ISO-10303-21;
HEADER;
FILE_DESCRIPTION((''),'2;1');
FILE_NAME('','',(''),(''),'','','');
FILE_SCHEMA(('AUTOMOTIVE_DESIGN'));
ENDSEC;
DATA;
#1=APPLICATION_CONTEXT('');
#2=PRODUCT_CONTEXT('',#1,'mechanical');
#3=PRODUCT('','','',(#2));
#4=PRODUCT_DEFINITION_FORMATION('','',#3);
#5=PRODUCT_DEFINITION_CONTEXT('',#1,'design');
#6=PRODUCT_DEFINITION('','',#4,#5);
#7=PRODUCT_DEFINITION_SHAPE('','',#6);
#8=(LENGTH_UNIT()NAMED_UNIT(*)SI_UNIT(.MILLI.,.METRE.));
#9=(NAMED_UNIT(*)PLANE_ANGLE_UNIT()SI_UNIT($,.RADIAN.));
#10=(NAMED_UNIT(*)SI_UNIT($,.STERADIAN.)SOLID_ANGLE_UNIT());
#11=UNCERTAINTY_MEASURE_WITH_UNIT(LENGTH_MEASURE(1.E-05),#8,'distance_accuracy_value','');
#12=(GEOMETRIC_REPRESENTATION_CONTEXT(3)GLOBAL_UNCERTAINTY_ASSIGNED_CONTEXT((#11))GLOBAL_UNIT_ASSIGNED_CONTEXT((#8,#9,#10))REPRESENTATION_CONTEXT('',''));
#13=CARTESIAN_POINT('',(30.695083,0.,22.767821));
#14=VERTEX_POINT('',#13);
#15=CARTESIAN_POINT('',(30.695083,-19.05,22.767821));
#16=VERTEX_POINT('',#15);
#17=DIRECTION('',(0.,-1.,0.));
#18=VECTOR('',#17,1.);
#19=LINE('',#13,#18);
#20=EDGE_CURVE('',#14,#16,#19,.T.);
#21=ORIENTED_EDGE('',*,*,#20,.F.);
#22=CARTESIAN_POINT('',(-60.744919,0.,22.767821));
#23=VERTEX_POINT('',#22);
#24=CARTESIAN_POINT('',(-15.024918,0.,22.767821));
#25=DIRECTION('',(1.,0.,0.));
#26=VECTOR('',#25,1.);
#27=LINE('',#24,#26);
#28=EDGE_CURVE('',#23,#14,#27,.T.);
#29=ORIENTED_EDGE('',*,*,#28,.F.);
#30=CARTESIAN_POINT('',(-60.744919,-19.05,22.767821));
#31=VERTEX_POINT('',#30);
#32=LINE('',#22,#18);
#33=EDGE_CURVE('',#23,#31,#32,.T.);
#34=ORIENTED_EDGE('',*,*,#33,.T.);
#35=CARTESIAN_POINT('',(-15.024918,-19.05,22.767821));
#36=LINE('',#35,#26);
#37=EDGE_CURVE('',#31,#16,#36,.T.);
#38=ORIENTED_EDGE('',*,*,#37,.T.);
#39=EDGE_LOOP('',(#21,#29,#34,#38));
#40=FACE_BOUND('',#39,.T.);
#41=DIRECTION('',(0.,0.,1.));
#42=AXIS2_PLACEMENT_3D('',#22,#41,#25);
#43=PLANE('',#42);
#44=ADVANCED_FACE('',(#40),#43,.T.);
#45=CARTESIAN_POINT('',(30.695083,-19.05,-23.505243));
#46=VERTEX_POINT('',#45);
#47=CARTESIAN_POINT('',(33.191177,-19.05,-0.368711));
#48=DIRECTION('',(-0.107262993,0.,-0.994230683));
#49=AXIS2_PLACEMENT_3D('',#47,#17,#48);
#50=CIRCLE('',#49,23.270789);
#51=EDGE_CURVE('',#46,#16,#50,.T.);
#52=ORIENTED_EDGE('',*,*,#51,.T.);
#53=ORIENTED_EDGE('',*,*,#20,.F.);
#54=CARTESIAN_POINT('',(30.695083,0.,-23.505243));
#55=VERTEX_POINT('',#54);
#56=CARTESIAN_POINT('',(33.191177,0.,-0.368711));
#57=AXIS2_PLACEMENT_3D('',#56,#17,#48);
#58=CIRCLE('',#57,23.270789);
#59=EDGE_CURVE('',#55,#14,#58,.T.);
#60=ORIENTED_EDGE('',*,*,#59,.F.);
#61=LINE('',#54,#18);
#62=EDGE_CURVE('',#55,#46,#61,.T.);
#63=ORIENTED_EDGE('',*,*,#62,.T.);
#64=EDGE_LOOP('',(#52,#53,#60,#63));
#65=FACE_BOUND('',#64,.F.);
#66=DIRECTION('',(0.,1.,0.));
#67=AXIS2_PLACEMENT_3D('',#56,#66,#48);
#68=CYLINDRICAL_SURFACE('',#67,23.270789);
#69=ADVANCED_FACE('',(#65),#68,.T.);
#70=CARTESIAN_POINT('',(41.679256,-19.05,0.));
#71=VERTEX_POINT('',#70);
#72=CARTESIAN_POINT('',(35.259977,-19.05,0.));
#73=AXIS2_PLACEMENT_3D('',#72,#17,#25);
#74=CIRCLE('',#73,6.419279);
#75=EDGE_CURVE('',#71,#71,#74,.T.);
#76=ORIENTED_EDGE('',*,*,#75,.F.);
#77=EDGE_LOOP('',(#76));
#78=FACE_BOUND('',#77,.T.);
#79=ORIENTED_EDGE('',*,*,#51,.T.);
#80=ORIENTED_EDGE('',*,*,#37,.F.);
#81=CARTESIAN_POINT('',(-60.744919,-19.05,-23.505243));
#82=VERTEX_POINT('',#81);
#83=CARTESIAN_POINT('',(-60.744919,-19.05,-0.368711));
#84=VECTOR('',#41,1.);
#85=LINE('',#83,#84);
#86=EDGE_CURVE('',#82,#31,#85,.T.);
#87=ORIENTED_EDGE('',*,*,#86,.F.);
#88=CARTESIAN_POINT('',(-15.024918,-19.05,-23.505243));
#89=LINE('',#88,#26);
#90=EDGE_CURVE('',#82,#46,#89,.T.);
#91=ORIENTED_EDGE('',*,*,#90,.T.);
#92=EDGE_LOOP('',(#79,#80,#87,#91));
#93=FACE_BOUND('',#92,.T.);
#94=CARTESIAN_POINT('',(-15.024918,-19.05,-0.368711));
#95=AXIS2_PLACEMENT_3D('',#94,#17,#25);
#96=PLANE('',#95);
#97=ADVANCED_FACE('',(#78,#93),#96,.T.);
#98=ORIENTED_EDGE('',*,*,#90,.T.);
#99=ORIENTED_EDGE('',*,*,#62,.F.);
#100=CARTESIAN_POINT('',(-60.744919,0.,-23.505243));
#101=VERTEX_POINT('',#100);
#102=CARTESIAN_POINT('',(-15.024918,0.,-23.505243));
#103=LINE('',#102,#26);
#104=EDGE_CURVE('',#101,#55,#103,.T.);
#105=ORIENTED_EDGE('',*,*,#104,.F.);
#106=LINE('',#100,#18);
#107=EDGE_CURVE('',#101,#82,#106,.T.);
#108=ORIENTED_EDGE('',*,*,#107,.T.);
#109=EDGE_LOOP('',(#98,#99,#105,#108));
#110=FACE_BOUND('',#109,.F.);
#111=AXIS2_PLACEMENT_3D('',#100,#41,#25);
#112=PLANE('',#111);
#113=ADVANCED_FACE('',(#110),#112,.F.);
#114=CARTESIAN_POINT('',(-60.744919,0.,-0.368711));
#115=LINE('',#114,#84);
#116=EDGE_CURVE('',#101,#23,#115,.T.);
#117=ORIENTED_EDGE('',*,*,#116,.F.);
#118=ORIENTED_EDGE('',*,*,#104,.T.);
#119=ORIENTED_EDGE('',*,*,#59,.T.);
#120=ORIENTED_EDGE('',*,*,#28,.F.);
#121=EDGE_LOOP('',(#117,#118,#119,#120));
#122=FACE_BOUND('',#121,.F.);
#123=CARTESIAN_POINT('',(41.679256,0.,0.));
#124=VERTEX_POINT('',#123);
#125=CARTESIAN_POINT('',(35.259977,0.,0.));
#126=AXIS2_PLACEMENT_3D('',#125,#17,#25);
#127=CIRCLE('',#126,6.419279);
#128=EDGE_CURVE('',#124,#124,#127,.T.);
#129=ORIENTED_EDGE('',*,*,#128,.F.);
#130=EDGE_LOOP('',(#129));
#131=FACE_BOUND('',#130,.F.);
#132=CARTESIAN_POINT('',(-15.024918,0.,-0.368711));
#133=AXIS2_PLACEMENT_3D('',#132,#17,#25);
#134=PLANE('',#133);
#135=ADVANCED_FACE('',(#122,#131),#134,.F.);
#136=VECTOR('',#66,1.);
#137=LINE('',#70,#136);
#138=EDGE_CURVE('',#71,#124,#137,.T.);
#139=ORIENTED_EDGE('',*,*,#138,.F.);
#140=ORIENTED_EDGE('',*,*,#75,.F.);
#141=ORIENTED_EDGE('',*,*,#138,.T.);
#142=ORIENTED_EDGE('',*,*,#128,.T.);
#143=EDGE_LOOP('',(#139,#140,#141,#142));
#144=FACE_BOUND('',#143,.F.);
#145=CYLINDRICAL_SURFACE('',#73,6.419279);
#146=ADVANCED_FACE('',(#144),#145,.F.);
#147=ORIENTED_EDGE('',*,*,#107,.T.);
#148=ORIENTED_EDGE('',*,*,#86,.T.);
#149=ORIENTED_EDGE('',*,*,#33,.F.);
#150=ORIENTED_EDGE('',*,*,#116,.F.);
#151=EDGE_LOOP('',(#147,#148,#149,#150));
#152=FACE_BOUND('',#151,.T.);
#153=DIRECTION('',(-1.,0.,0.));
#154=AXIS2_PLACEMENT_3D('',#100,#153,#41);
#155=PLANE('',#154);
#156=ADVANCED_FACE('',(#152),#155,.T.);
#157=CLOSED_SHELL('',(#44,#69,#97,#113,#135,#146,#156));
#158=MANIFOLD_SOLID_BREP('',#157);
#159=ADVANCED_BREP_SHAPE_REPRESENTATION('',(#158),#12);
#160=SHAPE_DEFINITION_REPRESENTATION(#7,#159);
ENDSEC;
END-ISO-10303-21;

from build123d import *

# Parameters (mm, degrees)
F0_W     = 91.440002
F0_H     = 46.273064
F1_DEPTH = 19.05
F2_R     = 6.419279
F3_DEPTH = 70.358


with BuildPart() as f1:
    # F0 (on Front) → F1 (new body)
    with BuildSketch(Plane.XZ):
        with Locations((-15.024918, -0.368711)):
            Rectangle(F0_W, F0_H)
        with BuildLine():
            Line((30.695083, 22.767821), (30.695083, -23.505243))
            ThreePointArc((30.695083, -23.505243), (56.461966, -0.368711), (30.695083, 22.767821))
        make_face()
    extrude(amount=F1_DEPTH)

    # F2 (on face) → F3 (cut)
    with BuildSketch(Plane.XZ.offset(19.05)):
        with Locations((35.259977, 0)):
            Circle(F2_R)
    extrude(amount=-F3_DEPTH, mode=Mode.SUBTRACT)


solid = f1.part
